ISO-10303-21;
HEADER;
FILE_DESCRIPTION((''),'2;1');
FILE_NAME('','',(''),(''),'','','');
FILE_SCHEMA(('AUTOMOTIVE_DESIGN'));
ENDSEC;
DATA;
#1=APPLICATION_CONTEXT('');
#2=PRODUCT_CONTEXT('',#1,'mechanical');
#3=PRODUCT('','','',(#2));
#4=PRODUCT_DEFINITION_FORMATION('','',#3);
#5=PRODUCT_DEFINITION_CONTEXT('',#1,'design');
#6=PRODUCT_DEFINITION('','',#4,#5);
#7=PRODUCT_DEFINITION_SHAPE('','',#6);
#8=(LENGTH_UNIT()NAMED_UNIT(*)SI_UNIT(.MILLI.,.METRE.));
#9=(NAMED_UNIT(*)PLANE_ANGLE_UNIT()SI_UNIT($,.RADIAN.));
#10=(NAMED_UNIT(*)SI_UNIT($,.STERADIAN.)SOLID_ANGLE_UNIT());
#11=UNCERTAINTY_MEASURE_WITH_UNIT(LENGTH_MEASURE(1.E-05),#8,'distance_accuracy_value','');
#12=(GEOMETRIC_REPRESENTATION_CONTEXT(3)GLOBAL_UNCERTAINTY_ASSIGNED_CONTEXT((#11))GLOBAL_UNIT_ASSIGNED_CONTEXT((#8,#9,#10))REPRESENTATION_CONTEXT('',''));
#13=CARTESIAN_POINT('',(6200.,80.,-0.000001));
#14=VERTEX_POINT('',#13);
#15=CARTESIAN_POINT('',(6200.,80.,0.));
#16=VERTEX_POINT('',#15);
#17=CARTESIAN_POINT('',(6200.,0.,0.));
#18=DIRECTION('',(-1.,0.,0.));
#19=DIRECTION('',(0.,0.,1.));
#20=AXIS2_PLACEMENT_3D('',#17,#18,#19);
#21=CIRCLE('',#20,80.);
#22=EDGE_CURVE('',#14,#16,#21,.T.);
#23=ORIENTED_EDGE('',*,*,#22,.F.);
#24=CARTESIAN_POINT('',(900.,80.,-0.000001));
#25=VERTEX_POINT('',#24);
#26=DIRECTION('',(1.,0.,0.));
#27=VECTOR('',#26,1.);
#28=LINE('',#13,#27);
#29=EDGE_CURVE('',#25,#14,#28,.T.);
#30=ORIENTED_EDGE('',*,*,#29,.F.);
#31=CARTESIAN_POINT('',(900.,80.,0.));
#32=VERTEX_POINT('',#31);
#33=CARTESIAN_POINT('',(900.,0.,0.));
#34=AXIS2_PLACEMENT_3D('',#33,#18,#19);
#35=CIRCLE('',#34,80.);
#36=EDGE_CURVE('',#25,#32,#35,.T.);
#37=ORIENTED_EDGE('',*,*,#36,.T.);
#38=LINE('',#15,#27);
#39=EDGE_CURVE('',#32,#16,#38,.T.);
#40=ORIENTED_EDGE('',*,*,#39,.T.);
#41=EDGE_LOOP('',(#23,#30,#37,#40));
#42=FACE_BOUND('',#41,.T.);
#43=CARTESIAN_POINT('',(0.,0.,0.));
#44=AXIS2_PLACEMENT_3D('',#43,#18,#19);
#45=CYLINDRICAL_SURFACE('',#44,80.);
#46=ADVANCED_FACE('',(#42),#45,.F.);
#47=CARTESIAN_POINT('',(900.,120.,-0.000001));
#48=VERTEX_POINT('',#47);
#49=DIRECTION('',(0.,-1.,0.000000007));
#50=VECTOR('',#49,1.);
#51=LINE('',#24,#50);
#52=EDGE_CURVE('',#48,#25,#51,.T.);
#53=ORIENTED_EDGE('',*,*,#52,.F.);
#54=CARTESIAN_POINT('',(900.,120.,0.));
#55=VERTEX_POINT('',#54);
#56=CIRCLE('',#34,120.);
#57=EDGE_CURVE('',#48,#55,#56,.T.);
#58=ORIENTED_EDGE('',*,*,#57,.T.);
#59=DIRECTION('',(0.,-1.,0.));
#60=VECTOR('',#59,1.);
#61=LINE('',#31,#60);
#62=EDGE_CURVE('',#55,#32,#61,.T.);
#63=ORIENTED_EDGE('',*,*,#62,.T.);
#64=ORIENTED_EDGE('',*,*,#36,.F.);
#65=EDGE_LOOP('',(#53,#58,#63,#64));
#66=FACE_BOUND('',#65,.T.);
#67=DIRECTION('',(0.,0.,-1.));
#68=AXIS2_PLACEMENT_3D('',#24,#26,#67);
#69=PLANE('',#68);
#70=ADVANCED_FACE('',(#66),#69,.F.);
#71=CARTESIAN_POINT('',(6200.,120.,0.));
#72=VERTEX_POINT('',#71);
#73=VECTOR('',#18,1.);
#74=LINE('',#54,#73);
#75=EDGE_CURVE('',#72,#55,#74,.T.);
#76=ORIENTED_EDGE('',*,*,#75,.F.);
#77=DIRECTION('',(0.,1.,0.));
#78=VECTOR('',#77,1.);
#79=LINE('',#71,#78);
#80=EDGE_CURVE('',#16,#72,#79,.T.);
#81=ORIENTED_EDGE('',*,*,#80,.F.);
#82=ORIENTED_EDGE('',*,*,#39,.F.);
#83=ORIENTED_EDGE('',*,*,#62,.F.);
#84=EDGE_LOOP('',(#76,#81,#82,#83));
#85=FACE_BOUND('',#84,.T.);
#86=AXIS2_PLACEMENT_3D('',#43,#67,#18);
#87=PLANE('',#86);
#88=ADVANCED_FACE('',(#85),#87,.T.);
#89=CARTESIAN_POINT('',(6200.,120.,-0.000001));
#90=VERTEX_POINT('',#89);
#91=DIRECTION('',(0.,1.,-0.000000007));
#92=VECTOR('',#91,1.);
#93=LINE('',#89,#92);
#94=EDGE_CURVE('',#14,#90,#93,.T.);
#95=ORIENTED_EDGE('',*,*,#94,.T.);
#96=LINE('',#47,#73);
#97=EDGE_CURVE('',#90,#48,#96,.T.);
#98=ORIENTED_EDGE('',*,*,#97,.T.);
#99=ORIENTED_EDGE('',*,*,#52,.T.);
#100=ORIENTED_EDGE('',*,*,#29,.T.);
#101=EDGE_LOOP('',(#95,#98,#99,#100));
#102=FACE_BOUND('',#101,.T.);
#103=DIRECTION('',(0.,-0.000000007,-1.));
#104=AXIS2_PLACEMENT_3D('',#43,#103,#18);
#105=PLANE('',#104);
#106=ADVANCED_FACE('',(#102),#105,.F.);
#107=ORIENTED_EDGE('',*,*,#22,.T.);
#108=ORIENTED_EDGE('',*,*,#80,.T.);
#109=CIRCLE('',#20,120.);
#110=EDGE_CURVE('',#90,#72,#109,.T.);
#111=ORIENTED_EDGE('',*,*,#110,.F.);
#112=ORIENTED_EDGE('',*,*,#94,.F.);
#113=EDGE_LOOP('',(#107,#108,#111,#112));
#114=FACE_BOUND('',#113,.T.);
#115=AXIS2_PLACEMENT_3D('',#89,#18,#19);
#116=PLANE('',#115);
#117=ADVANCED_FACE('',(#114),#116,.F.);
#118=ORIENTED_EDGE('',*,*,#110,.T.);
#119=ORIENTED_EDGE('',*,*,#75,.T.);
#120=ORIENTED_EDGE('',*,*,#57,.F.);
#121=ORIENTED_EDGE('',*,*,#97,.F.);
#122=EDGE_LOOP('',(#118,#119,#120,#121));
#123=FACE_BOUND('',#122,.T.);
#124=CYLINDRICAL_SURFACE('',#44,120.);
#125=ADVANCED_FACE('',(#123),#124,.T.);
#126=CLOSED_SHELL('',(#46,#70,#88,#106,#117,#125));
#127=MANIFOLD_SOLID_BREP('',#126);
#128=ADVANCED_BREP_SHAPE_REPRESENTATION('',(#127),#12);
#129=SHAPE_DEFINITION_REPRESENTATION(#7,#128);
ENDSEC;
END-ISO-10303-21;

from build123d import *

# Parameters (mm, degrees)
SKETCH1_W      = 5300
SKETCH1_H      = 40
REVOLVE1_ANGLE = 359.999999589


with BuildPart() as part:
    # Sketch1 → Revolve1 (revolve)
    with BuildSketch(Plane.XY):
        with Locations((3550, 100)):
            Rectangle(SKETCH1_W, SKETCH1_H)
    revolve(axis=Axis((0, 0, 0), (1, 0, 0)), revolution_arc=REVOLVE1_ANGLE)


solid = part.part
